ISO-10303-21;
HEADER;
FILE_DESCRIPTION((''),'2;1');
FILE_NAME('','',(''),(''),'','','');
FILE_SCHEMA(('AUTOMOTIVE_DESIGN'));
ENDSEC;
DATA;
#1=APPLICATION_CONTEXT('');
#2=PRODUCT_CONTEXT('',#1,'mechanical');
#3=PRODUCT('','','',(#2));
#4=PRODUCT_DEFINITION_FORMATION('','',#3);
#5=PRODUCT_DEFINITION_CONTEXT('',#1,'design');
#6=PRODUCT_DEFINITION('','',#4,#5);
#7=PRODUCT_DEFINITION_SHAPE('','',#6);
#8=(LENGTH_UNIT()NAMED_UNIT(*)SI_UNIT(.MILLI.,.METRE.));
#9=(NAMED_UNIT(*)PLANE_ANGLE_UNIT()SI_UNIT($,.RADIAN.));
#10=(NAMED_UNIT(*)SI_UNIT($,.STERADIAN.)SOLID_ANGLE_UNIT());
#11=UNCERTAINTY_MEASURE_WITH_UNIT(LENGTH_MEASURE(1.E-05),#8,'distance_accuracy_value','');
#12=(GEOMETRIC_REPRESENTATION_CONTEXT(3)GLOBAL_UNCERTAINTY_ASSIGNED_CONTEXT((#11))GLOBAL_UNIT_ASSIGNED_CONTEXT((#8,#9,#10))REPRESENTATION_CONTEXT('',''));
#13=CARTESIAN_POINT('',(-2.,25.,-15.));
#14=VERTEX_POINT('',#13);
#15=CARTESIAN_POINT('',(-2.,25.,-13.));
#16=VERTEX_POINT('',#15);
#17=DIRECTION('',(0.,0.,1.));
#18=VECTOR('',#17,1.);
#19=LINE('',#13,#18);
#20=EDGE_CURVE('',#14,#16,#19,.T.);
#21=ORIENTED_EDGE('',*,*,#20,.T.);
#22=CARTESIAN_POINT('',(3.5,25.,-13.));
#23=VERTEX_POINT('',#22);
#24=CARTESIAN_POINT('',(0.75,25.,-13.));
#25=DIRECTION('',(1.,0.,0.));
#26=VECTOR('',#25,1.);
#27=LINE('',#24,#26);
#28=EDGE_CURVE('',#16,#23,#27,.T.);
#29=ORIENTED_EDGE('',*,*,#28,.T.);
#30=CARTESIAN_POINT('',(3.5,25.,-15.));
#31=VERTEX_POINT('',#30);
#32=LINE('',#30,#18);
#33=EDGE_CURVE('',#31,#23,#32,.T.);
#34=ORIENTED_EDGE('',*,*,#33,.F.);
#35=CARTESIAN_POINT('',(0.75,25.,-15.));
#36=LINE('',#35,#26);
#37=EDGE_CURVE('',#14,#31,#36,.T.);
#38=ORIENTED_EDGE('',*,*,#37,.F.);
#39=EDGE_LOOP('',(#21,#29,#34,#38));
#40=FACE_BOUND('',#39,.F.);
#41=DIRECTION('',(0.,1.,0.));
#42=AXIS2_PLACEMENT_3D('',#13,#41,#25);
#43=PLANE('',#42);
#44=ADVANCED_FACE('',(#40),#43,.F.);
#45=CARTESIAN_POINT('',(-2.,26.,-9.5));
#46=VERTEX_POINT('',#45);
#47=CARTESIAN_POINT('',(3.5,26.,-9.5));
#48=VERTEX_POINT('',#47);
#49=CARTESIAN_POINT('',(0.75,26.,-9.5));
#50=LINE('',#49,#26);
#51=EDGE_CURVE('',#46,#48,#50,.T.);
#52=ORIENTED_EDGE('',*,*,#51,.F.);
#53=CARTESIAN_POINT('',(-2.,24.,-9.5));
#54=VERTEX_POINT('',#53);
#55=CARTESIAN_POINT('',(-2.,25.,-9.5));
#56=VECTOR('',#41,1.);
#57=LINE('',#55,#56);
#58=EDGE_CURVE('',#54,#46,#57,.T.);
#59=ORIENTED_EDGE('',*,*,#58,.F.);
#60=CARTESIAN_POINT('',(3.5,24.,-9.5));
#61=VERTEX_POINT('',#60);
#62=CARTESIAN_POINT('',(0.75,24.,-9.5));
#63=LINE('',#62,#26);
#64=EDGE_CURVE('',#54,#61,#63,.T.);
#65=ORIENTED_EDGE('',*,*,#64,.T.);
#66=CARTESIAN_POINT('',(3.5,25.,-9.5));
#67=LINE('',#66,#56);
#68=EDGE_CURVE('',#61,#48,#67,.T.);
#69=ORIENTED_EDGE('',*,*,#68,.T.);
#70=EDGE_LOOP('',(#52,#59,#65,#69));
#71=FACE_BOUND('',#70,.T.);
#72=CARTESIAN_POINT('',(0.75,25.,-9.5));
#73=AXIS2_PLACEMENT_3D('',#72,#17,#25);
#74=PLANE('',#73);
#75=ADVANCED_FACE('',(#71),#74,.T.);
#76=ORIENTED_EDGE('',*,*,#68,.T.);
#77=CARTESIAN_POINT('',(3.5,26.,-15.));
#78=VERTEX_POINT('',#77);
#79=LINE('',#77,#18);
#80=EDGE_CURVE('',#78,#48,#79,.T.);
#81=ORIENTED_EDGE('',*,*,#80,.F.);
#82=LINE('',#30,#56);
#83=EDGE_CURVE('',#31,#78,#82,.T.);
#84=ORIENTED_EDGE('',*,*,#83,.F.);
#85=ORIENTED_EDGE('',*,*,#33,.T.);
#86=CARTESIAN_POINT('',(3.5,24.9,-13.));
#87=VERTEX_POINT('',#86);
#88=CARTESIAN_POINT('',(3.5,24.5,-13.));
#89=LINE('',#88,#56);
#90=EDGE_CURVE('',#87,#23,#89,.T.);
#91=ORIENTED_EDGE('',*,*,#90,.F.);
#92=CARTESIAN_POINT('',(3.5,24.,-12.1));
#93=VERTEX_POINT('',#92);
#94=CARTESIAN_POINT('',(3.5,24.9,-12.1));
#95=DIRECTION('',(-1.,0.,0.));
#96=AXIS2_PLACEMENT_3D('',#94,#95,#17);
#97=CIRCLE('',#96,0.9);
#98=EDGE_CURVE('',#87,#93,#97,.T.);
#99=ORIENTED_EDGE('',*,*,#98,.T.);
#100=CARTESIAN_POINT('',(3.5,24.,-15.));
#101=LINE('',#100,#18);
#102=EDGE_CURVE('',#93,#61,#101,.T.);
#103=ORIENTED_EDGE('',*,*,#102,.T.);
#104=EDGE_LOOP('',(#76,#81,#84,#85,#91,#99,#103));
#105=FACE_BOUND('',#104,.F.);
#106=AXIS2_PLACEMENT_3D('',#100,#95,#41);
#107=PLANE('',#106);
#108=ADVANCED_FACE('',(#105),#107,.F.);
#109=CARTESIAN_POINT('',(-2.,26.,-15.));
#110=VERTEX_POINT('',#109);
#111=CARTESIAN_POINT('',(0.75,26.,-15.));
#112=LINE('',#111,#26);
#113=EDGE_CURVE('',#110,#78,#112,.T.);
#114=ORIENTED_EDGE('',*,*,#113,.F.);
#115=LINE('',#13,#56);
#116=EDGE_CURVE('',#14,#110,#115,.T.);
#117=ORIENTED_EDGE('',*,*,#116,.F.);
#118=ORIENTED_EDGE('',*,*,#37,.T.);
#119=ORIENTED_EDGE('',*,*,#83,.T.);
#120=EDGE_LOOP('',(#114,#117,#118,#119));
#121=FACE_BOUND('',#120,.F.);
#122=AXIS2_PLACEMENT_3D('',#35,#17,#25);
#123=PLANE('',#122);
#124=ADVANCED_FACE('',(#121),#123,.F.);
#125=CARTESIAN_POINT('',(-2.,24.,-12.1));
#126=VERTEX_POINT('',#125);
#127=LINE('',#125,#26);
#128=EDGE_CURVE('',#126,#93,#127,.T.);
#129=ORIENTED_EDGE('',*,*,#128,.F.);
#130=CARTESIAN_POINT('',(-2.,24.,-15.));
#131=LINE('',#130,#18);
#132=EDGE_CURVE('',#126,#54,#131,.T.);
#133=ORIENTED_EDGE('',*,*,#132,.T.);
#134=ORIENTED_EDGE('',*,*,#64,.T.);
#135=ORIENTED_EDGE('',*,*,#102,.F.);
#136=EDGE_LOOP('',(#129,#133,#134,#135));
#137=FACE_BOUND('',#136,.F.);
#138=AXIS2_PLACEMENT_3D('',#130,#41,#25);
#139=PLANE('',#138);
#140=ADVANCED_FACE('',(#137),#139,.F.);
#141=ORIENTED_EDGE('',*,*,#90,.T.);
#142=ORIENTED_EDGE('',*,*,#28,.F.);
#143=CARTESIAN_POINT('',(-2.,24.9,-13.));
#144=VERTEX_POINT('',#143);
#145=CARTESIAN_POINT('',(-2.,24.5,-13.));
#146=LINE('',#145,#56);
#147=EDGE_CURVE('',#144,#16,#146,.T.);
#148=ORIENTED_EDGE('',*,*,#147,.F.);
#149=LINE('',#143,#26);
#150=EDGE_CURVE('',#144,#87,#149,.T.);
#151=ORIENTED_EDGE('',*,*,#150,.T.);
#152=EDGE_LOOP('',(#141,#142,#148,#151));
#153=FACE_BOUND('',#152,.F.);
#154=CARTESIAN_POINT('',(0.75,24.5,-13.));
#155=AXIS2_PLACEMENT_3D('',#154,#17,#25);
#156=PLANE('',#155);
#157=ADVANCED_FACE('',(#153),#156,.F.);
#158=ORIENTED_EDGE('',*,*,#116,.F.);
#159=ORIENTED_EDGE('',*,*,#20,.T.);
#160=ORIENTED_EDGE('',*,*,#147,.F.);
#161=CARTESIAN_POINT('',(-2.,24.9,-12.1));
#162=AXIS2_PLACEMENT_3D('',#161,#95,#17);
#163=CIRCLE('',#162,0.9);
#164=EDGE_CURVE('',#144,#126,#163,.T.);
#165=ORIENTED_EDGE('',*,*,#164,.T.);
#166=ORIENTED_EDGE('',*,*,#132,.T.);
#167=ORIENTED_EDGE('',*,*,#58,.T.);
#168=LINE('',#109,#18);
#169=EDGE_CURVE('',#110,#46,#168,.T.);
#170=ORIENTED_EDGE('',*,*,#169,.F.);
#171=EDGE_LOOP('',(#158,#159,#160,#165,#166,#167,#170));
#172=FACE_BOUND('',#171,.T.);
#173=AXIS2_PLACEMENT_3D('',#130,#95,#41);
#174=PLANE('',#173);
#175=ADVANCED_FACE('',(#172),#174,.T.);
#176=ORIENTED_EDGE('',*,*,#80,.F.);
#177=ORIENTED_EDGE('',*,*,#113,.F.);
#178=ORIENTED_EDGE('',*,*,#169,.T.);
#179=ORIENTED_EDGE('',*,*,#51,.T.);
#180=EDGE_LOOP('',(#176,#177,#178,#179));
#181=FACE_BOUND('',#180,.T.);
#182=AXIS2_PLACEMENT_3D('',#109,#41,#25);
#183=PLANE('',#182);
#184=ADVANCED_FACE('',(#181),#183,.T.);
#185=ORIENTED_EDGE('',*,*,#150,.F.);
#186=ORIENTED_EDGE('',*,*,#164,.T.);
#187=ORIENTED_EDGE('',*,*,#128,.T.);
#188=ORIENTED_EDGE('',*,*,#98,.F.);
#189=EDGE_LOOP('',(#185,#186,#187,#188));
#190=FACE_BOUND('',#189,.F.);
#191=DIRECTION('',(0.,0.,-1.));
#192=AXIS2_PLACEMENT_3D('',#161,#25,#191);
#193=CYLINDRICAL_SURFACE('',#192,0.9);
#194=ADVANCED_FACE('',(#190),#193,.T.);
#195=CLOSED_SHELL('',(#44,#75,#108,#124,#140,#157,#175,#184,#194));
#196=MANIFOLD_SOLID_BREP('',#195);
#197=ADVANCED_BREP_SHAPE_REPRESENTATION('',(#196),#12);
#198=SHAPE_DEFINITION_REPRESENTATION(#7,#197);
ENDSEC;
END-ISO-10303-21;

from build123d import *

# Parameters (mm, degrees)
BOX019_W     = 5.5
BOX019_H     = 1
BOX019_DEPTH = 2
BOX018_W     = 5.5
BOX018_H     = 2
BOX018_DEPTH = 5.5
FILLET003_R  = 0.9


with BuildPart() as button_1_cut001:
    # Box019 → Box019 (new body)
    with BuildSketch(Plane(origin=(5, 24, -15), x_dir=(1, 0, 0), z_dir=(0, 0, 1))):
        with Locations((2.75, 0.5)):
            Rectangle(BOX019_W, BOX019_H)
    extrude(amount=BOX019_DEPTH)


with BuildPart() as fillet003:
    # Box018 → Box018 (new body)
    with BuildSketch(Plane(origin=(5, 24, -15), x_dir=(1, 0, 0), z_dir=(0, 0, 1))):
        with Locations((2.75, 1)):
            Rectangle(BOX018_W, BOX018_H)
    extrude(amount=BOX018_DEPTH)

    # Cut001: cut Button 1 Cut001
    add(button_1_cut001.part, mode=Mode.SUBTRACT)

    # Fillet003
    fillet003_edges = [fillet003.edges().sort_by_distance(p)[0] for p in [
        (7.75, 24, -13),
    ]]
    fillet(fillet003_edges, radius=FILLET003_R)


with BuildPart() as fillet003_1:
    # Fillet003 placement: moved
    add(fillet003.part.moved(Location((-7, 0, 0))))


solid = fillet003_1.part
